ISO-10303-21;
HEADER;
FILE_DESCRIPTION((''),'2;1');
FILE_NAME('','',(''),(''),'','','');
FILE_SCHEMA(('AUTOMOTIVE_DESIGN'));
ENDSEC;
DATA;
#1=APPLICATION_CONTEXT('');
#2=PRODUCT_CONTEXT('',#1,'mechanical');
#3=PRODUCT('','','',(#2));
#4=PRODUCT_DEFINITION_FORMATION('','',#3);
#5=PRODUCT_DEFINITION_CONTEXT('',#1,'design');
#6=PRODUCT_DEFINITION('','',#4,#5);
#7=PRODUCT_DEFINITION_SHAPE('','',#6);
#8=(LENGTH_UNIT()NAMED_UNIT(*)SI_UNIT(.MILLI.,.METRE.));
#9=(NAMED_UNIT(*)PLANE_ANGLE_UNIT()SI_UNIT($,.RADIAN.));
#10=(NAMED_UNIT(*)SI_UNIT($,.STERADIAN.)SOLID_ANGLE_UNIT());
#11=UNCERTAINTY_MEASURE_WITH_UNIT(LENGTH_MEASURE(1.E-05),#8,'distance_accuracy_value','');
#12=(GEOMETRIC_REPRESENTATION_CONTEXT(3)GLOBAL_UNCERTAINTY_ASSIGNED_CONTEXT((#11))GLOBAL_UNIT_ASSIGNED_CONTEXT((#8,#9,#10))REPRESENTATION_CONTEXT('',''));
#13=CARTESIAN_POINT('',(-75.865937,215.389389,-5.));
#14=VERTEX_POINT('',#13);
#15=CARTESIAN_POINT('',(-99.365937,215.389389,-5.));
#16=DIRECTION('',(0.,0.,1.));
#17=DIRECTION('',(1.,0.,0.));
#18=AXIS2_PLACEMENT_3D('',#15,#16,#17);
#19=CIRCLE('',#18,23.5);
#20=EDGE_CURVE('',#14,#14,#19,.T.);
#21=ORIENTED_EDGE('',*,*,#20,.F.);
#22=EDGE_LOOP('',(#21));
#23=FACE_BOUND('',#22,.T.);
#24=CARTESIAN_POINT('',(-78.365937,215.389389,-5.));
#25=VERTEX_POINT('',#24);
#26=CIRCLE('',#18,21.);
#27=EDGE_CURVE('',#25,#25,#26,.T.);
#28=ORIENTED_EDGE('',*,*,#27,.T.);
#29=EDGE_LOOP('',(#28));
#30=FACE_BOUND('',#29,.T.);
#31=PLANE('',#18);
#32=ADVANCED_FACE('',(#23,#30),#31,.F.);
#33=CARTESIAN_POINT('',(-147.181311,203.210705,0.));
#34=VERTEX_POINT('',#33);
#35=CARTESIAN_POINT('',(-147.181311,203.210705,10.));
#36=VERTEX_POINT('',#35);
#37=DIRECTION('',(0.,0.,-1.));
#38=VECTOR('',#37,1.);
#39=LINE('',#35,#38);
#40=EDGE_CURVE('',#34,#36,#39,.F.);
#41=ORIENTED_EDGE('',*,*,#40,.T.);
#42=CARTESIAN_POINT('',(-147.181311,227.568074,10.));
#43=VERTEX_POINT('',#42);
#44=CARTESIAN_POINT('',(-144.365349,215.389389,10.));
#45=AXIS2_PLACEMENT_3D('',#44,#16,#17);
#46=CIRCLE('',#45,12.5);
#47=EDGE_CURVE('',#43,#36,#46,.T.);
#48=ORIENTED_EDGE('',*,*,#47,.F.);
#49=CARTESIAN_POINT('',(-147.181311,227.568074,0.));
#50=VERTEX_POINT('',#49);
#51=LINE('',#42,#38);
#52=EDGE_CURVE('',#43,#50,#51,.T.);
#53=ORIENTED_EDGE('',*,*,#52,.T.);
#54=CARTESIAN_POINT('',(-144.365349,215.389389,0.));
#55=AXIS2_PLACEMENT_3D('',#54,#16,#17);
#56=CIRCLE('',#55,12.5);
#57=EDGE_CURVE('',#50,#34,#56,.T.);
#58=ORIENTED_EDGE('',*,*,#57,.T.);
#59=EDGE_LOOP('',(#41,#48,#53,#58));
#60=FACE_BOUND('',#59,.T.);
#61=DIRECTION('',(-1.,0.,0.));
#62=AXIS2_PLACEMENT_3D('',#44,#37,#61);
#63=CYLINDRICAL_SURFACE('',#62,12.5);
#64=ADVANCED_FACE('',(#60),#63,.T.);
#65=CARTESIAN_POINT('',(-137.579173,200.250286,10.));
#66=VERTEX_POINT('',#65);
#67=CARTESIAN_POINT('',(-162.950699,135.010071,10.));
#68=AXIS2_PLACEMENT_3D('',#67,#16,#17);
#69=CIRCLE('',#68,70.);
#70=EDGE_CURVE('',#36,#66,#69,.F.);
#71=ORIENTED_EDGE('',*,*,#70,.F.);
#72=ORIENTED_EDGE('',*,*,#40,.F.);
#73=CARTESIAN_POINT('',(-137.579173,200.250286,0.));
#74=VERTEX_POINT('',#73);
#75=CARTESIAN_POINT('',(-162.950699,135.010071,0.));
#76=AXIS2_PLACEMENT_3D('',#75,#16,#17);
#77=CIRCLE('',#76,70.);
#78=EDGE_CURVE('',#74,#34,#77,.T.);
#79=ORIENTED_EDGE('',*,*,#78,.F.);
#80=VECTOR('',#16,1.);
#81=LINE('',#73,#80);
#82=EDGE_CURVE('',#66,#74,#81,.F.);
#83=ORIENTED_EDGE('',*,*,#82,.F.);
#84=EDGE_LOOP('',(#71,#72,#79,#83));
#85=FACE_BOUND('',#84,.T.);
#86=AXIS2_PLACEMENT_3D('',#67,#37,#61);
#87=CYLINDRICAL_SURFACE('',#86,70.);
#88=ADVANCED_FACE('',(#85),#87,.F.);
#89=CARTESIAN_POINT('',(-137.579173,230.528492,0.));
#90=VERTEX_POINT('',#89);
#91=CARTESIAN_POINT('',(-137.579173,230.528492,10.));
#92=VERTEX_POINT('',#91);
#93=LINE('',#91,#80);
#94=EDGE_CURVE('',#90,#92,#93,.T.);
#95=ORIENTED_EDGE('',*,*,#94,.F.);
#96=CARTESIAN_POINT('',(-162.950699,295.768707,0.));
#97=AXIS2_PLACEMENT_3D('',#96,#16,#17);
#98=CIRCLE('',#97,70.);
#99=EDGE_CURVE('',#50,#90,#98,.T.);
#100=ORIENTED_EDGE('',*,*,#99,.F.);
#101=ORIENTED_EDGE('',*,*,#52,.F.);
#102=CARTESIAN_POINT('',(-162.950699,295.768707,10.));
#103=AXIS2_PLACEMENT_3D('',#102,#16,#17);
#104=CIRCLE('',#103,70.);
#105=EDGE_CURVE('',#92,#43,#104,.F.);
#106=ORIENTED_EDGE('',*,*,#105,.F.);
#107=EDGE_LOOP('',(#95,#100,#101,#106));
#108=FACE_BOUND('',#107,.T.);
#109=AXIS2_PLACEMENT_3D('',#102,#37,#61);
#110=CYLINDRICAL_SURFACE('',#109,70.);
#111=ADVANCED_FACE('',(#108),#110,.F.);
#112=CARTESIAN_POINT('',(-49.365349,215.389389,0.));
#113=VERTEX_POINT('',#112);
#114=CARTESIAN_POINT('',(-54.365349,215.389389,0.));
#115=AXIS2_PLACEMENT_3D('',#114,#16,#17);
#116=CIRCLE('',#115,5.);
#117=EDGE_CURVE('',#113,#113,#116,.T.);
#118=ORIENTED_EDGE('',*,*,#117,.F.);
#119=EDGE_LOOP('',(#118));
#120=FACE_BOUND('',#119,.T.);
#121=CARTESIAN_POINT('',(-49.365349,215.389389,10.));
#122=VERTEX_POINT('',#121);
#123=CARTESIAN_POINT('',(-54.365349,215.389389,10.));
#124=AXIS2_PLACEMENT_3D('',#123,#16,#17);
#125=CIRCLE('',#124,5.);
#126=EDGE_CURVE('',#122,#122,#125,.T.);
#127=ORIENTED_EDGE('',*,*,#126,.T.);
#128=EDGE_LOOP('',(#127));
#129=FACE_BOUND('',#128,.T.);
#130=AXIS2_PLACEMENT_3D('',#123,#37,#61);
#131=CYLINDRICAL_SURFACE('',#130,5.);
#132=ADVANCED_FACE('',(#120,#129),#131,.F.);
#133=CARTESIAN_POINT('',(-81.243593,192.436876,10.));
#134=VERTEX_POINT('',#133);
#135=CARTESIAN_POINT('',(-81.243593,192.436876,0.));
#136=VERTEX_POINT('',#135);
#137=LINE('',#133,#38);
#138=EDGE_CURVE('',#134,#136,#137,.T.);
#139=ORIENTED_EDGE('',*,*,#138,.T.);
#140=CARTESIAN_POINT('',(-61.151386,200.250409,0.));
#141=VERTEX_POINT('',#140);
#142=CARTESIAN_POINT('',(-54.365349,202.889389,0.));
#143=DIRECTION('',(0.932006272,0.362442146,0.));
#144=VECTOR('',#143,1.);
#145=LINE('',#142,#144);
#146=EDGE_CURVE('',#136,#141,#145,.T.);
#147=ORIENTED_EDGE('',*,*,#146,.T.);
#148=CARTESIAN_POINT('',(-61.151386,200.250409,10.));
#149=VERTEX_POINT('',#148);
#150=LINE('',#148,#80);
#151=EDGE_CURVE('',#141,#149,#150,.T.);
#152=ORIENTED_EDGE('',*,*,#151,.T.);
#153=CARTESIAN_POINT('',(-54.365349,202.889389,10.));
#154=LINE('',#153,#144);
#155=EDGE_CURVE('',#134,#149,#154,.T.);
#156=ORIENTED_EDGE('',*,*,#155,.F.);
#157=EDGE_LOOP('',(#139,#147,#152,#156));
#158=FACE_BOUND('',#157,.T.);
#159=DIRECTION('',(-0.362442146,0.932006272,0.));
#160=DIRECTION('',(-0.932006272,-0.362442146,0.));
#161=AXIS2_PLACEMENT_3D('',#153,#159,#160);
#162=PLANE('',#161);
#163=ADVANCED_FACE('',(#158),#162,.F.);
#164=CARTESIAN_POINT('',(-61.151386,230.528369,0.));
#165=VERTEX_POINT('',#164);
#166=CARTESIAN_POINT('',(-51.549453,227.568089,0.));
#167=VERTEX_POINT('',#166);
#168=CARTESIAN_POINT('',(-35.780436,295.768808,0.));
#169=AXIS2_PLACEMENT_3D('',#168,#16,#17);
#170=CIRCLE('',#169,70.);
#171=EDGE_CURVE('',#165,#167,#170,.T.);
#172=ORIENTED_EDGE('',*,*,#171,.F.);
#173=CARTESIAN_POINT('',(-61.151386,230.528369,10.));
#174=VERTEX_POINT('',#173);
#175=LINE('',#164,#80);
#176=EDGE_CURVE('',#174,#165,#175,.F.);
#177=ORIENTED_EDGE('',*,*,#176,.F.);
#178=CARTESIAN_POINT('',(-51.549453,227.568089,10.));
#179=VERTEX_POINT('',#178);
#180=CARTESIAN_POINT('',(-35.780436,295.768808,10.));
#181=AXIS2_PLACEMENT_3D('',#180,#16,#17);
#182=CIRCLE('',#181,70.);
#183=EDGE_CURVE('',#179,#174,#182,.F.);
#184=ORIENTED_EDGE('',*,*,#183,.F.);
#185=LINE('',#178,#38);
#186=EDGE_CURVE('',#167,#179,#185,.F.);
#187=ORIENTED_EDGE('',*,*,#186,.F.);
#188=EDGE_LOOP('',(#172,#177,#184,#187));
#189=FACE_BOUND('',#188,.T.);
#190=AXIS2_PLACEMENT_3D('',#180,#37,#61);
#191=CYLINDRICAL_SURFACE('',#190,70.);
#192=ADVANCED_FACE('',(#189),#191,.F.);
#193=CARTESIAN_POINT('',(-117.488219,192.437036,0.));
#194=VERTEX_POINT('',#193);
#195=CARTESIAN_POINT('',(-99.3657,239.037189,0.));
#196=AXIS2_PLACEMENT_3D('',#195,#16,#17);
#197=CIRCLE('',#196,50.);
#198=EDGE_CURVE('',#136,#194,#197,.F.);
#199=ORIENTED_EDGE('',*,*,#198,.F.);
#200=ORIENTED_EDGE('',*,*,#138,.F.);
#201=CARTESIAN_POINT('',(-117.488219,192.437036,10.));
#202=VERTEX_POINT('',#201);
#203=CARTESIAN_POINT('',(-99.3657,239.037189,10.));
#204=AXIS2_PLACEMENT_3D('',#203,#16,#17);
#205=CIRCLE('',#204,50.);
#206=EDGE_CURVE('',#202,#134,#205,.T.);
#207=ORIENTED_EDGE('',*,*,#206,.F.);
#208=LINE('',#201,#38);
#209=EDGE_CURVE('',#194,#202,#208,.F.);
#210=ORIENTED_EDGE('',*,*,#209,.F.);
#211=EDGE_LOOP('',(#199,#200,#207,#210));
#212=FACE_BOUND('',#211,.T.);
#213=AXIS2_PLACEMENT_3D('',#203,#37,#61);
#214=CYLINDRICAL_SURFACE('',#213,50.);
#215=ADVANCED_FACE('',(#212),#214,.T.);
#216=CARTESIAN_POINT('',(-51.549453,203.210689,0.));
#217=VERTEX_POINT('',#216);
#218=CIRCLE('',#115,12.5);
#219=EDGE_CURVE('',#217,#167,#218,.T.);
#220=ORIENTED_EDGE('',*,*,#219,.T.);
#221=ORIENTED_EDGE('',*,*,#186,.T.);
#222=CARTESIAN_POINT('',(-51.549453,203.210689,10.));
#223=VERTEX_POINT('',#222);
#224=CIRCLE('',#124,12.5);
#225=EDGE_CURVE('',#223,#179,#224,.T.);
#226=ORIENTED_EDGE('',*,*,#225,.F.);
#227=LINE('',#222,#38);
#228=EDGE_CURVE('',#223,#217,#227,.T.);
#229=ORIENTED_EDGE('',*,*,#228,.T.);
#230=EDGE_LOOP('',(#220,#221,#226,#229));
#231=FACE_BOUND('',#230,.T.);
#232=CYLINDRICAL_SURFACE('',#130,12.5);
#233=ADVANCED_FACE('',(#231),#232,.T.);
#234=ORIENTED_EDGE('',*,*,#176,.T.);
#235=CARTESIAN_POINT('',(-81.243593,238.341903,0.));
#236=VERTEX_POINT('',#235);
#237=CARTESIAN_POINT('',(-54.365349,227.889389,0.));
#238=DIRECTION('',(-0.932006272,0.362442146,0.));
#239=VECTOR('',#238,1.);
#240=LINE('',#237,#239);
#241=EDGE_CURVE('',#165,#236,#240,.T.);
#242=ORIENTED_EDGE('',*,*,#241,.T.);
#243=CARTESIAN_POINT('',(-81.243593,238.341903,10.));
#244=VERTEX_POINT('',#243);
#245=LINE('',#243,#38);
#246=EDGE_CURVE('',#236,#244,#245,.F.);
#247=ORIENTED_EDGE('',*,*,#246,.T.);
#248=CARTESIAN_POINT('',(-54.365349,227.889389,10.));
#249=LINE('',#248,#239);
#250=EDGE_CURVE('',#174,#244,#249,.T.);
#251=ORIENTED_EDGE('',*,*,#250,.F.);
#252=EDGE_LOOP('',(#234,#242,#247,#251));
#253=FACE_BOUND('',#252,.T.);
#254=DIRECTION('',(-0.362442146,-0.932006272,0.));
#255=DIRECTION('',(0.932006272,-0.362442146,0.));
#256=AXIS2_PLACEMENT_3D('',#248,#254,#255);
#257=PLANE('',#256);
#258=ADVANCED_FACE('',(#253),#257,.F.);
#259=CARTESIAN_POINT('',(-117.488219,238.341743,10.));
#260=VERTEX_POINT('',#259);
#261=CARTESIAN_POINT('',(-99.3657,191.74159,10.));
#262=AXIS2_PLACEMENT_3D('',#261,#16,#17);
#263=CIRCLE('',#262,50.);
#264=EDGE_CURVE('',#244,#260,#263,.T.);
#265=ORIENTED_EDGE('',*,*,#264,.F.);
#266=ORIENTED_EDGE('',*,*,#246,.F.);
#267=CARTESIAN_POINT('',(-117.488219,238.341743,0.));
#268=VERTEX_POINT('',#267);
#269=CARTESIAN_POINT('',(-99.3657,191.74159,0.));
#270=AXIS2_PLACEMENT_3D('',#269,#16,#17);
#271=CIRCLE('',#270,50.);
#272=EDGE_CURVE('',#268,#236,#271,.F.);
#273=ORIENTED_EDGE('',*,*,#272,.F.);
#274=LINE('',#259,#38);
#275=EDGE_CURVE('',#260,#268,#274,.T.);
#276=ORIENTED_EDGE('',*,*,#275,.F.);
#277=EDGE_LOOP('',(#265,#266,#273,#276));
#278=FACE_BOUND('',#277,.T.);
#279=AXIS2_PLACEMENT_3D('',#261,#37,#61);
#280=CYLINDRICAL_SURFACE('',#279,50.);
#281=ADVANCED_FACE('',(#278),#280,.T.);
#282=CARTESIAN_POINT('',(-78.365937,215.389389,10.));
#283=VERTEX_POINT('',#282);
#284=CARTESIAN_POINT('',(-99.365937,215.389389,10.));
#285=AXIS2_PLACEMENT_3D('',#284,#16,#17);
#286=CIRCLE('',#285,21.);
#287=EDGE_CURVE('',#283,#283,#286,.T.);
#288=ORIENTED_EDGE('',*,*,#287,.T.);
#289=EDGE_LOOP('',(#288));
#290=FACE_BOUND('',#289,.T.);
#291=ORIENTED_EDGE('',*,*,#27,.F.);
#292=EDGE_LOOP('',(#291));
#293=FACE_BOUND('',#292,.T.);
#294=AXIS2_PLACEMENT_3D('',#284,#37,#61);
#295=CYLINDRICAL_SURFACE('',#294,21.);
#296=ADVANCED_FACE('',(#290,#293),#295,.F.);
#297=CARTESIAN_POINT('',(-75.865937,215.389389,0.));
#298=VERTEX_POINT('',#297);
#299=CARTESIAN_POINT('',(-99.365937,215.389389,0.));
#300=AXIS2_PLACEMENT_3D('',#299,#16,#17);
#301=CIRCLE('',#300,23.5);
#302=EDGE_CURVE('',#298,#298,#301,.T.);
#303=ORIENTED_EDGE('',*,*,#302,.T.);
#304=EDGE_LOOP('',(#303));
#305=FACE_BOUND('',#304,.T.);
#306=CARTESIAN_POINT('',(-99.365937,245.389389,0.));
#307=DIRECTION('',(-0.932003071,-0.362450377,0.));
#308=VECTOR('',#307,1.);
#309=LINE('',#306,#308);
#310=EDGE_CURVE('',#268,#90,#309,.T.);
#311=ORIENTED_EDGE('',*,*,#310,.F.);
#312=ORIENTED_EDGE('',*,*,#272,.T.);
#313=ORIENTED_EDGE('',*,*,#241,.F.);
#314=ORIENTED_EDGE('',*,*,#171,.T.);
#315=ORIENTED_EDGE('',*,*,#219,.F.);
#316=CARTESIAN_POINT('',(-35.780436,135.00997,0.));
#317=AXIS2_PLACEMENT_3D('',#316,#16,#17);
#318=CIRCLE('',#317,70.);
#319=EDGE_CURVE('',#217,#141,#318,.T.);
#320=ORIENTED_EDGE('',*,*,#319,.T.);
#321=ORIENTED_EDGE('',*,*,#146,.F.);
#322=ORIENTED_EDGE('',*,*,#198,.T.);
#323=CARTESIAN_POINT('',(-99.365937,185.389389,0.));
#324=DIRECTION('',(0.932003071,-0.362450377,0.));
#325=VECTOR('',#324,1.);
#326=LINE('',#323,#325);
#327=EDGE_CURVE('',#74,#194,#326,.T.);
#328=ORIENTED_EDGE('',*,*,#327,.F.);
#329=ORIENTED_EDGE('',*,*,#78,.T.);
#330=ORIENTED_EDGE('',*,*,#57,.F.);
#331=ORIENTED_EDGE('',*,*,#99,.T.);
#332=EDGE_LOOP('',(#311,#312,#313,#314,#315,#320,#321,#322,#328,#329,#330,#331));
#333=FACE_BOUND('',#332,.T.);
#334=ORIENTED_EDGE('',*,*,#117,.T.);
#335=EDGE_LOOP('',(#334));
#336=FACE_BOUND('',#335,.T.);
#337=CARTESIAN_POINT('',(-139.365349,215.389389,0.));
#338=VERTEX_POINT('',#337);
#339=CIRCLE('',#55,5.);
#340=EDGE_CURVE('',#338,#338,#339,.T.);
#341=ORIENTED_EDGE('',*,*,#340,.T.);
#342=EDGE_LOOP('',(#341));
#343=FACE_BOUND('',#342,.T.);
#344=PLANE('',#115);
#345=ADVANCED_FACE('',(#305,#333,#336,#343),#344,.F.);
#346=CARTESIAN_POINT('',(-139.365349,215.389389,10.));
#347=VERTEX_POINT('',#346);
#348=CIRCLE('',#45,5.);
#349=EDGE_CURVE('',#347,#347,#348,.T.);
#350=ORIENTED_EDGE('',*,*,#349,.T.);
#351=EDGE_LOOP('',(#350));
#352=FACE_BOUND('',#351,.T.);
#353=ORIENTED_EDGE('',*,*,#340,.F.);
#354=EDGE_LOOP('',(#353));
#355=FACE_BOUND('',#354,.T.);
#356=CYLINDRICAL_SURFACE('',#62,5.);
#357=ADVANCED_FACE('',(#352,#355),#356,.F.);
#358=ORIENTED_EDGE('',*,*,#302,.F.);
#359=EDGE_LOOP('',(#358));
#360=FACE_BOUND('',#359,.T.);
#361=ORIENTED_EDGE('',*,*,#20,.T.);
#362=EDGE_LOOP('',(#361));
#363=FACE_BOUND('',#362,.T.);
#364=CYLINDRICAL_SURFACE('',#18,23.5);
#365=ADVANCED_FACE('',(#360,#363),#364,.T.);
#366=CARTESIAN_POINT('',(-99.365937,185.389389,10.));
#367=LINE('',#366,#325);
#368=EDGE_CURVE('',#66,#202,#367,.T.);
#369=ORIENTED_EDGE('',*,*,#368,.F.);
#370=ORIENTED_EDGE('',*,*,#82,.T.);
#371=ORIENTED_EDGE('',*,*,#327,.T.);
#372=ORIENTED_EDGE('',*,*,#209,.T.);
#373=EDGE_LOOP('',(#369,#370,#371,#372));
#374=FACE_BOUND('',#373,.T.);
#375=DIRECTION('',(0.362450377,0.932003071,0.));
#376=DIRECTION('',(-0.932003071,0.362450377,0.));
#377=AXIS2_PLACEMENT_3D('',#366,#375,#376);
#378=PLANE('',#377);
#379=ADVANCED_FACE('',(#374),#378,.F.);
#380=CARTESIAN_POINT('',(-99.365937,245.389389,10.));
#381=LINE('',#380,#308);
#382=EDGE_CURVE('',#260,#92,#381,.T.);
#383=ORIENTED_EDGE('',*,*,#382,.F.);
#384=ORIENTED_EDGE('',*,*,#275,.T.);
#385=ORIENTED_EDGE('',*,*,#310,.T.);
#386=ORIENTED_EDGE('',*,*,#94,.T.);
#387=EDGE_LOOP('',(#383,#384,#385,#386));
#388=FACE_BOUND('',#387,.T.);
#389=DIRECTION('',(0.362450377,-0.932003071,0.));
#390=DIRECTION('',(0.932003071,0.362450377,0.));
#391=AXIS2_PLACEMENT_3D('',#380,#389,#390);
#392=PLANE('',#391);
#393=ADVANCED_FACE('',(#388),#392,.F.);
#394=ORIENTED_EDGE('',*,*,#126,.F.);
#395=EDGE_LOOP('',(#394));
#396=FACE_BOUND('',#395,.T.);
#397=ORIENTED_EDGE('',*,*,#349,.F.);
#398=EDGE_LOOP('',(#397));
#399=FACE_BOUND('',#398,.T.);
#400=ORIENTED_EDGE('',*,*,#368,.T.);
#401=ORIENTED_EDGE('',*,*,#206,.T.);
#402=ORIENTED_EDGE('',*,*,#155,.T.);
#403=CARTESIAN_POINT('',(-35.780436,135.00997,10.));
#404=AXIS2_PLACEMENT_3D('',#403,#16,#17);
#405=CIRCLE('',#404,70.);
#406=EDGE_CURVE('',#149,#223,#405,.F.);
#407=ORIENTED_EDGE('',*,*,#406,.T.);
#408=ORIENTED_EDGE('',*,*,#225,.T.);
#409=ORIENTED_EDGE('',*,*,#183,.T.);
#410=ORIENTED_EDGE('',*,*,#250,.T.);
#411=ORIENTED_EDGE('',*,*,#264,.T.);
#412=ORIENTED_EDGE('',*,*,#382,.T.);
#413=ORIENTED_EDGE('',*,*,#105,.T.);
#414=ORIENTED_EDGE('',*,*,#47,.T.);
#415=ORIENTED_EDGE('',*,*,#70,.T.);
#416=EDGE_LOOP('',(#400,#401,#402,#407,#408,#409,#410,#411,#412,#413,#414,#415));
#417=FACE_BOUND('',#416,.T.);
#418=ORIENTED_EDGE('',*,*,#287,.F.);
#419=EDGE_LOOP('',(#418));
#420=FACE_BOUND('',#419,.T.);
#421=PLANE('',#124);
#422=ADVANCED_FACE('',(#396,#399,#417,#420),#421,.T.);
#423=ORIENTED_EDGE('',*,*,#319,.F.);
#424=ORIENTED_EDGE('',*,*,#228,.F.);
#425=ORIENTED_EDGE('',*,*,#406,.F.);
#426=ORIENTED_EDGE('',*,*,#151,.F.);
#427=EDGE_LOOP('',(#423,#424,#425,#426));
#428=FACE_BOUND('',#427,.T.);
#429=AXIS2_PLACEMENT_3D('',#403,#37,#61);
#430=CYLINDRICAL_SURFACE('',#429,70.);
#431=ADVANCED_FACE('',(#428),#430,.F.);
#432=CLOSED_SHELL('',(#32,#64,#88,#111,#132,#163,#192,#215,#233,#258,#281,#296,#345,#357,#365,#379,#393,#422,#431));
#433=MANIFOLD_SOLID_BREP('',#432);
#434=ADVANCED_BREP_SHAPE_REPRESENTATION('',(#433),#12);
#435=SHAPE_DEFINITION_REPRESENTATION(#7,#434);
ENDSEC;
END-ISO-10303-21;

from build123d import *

# Parameters (mm, degrees)
SKETCH1_R           = 21
SKETCH1_R_2         = 5
BOSS_EXTRUDE1_DEPTH = 10
FILLET1_R           = 50
FILLET2_R           = 70
BOSS_EXTRUDE2_START = -15
SKETCH2_R           = 23.5
SKETCH2_R_2         = 21
BOSS_EXTRUDE2_DEPTH = 15


with BuildPart() as part:
    # Sketch1 → Boss-Extrude1 (new body)
    with BuildSketch(Plane.XY):
        with BuildLine():
            Line((-54.365348895, 227.889389357), (-99.36593713, 245.389389357))
            Line((-99.36593713, 245.389389357), (-144.365348895, 227.889389357))
            ThreePointArc((-144.365348895, 227.889389357), (-156.865348895, 215.389389357), (-144.365348895, 202.889389357))
            Line((-144.365348895, 202.889389357), (-99.36593713, 185.389389357))
            Line((-99.36593713, 185.389389357), (-54.365348895, 202.889389357))
            ThreePointArc((-54.365348895, 202.889389357), (-41.865348895, 215.389389357), (-54.365348895, 227.889389357))
        make_face()
        with Locations((-99.36593713, 215.389389357)):
            Circle(SKETCH1_R, mode=Mode.SUBTRACT)
        with Locations((-54.365348895, 215.389389357)):
            Circle(SKETCH1_R_2, mode=Mode.SUBTRACT)
        with Locations((-144.365348895, 215.389389357)):
            Circle(SKETCH1_R_2, mode=Mode.SUBTRACT)
    extrude(amount=BOSS_EXTRUDE1_DEPTH)

    # Fillet1
    fillet1_edges = [part.edges().sort_by_distance(p)[0] for p in [
        (-99.36593713, 185.389389357, 5),
        (-99.36593713, 245.389389357, 5),
    ]]
    fillet(fillet1_edges, radius=FILLET1_R)

    # Fillet2
    fillet2_edges = [part.edges().sort_by_distance(p)[0] for p in [
        (-54.365348895, 202.889389357, 5),
        (-144.365348895, 202.889389357, 5),
        (-144.365348895, 227.889389357, 5),
        (-54.365348895, 227.889389357, 5),
    ]]
    fillet(fillet2_edges, radius=FILLET2_R)

    # Sketch2 → Boss-Extrude2 (add)
    with BuildSketch(Plane.XY.offset(10).offset(BOSS_EXTRUDE2_START)):
        with Locations((-99.36593713, 215.389389357)):
            Circle(SKETCH2_R)
        with Locations((-99.36593713, 215.389389357)):
            Circle(SKETCH2_R_2, mode=Mode.SUBTRACT)
    extrude(amount=BOSS_EXTRUDE2_DEPTH)


solid = part.part
